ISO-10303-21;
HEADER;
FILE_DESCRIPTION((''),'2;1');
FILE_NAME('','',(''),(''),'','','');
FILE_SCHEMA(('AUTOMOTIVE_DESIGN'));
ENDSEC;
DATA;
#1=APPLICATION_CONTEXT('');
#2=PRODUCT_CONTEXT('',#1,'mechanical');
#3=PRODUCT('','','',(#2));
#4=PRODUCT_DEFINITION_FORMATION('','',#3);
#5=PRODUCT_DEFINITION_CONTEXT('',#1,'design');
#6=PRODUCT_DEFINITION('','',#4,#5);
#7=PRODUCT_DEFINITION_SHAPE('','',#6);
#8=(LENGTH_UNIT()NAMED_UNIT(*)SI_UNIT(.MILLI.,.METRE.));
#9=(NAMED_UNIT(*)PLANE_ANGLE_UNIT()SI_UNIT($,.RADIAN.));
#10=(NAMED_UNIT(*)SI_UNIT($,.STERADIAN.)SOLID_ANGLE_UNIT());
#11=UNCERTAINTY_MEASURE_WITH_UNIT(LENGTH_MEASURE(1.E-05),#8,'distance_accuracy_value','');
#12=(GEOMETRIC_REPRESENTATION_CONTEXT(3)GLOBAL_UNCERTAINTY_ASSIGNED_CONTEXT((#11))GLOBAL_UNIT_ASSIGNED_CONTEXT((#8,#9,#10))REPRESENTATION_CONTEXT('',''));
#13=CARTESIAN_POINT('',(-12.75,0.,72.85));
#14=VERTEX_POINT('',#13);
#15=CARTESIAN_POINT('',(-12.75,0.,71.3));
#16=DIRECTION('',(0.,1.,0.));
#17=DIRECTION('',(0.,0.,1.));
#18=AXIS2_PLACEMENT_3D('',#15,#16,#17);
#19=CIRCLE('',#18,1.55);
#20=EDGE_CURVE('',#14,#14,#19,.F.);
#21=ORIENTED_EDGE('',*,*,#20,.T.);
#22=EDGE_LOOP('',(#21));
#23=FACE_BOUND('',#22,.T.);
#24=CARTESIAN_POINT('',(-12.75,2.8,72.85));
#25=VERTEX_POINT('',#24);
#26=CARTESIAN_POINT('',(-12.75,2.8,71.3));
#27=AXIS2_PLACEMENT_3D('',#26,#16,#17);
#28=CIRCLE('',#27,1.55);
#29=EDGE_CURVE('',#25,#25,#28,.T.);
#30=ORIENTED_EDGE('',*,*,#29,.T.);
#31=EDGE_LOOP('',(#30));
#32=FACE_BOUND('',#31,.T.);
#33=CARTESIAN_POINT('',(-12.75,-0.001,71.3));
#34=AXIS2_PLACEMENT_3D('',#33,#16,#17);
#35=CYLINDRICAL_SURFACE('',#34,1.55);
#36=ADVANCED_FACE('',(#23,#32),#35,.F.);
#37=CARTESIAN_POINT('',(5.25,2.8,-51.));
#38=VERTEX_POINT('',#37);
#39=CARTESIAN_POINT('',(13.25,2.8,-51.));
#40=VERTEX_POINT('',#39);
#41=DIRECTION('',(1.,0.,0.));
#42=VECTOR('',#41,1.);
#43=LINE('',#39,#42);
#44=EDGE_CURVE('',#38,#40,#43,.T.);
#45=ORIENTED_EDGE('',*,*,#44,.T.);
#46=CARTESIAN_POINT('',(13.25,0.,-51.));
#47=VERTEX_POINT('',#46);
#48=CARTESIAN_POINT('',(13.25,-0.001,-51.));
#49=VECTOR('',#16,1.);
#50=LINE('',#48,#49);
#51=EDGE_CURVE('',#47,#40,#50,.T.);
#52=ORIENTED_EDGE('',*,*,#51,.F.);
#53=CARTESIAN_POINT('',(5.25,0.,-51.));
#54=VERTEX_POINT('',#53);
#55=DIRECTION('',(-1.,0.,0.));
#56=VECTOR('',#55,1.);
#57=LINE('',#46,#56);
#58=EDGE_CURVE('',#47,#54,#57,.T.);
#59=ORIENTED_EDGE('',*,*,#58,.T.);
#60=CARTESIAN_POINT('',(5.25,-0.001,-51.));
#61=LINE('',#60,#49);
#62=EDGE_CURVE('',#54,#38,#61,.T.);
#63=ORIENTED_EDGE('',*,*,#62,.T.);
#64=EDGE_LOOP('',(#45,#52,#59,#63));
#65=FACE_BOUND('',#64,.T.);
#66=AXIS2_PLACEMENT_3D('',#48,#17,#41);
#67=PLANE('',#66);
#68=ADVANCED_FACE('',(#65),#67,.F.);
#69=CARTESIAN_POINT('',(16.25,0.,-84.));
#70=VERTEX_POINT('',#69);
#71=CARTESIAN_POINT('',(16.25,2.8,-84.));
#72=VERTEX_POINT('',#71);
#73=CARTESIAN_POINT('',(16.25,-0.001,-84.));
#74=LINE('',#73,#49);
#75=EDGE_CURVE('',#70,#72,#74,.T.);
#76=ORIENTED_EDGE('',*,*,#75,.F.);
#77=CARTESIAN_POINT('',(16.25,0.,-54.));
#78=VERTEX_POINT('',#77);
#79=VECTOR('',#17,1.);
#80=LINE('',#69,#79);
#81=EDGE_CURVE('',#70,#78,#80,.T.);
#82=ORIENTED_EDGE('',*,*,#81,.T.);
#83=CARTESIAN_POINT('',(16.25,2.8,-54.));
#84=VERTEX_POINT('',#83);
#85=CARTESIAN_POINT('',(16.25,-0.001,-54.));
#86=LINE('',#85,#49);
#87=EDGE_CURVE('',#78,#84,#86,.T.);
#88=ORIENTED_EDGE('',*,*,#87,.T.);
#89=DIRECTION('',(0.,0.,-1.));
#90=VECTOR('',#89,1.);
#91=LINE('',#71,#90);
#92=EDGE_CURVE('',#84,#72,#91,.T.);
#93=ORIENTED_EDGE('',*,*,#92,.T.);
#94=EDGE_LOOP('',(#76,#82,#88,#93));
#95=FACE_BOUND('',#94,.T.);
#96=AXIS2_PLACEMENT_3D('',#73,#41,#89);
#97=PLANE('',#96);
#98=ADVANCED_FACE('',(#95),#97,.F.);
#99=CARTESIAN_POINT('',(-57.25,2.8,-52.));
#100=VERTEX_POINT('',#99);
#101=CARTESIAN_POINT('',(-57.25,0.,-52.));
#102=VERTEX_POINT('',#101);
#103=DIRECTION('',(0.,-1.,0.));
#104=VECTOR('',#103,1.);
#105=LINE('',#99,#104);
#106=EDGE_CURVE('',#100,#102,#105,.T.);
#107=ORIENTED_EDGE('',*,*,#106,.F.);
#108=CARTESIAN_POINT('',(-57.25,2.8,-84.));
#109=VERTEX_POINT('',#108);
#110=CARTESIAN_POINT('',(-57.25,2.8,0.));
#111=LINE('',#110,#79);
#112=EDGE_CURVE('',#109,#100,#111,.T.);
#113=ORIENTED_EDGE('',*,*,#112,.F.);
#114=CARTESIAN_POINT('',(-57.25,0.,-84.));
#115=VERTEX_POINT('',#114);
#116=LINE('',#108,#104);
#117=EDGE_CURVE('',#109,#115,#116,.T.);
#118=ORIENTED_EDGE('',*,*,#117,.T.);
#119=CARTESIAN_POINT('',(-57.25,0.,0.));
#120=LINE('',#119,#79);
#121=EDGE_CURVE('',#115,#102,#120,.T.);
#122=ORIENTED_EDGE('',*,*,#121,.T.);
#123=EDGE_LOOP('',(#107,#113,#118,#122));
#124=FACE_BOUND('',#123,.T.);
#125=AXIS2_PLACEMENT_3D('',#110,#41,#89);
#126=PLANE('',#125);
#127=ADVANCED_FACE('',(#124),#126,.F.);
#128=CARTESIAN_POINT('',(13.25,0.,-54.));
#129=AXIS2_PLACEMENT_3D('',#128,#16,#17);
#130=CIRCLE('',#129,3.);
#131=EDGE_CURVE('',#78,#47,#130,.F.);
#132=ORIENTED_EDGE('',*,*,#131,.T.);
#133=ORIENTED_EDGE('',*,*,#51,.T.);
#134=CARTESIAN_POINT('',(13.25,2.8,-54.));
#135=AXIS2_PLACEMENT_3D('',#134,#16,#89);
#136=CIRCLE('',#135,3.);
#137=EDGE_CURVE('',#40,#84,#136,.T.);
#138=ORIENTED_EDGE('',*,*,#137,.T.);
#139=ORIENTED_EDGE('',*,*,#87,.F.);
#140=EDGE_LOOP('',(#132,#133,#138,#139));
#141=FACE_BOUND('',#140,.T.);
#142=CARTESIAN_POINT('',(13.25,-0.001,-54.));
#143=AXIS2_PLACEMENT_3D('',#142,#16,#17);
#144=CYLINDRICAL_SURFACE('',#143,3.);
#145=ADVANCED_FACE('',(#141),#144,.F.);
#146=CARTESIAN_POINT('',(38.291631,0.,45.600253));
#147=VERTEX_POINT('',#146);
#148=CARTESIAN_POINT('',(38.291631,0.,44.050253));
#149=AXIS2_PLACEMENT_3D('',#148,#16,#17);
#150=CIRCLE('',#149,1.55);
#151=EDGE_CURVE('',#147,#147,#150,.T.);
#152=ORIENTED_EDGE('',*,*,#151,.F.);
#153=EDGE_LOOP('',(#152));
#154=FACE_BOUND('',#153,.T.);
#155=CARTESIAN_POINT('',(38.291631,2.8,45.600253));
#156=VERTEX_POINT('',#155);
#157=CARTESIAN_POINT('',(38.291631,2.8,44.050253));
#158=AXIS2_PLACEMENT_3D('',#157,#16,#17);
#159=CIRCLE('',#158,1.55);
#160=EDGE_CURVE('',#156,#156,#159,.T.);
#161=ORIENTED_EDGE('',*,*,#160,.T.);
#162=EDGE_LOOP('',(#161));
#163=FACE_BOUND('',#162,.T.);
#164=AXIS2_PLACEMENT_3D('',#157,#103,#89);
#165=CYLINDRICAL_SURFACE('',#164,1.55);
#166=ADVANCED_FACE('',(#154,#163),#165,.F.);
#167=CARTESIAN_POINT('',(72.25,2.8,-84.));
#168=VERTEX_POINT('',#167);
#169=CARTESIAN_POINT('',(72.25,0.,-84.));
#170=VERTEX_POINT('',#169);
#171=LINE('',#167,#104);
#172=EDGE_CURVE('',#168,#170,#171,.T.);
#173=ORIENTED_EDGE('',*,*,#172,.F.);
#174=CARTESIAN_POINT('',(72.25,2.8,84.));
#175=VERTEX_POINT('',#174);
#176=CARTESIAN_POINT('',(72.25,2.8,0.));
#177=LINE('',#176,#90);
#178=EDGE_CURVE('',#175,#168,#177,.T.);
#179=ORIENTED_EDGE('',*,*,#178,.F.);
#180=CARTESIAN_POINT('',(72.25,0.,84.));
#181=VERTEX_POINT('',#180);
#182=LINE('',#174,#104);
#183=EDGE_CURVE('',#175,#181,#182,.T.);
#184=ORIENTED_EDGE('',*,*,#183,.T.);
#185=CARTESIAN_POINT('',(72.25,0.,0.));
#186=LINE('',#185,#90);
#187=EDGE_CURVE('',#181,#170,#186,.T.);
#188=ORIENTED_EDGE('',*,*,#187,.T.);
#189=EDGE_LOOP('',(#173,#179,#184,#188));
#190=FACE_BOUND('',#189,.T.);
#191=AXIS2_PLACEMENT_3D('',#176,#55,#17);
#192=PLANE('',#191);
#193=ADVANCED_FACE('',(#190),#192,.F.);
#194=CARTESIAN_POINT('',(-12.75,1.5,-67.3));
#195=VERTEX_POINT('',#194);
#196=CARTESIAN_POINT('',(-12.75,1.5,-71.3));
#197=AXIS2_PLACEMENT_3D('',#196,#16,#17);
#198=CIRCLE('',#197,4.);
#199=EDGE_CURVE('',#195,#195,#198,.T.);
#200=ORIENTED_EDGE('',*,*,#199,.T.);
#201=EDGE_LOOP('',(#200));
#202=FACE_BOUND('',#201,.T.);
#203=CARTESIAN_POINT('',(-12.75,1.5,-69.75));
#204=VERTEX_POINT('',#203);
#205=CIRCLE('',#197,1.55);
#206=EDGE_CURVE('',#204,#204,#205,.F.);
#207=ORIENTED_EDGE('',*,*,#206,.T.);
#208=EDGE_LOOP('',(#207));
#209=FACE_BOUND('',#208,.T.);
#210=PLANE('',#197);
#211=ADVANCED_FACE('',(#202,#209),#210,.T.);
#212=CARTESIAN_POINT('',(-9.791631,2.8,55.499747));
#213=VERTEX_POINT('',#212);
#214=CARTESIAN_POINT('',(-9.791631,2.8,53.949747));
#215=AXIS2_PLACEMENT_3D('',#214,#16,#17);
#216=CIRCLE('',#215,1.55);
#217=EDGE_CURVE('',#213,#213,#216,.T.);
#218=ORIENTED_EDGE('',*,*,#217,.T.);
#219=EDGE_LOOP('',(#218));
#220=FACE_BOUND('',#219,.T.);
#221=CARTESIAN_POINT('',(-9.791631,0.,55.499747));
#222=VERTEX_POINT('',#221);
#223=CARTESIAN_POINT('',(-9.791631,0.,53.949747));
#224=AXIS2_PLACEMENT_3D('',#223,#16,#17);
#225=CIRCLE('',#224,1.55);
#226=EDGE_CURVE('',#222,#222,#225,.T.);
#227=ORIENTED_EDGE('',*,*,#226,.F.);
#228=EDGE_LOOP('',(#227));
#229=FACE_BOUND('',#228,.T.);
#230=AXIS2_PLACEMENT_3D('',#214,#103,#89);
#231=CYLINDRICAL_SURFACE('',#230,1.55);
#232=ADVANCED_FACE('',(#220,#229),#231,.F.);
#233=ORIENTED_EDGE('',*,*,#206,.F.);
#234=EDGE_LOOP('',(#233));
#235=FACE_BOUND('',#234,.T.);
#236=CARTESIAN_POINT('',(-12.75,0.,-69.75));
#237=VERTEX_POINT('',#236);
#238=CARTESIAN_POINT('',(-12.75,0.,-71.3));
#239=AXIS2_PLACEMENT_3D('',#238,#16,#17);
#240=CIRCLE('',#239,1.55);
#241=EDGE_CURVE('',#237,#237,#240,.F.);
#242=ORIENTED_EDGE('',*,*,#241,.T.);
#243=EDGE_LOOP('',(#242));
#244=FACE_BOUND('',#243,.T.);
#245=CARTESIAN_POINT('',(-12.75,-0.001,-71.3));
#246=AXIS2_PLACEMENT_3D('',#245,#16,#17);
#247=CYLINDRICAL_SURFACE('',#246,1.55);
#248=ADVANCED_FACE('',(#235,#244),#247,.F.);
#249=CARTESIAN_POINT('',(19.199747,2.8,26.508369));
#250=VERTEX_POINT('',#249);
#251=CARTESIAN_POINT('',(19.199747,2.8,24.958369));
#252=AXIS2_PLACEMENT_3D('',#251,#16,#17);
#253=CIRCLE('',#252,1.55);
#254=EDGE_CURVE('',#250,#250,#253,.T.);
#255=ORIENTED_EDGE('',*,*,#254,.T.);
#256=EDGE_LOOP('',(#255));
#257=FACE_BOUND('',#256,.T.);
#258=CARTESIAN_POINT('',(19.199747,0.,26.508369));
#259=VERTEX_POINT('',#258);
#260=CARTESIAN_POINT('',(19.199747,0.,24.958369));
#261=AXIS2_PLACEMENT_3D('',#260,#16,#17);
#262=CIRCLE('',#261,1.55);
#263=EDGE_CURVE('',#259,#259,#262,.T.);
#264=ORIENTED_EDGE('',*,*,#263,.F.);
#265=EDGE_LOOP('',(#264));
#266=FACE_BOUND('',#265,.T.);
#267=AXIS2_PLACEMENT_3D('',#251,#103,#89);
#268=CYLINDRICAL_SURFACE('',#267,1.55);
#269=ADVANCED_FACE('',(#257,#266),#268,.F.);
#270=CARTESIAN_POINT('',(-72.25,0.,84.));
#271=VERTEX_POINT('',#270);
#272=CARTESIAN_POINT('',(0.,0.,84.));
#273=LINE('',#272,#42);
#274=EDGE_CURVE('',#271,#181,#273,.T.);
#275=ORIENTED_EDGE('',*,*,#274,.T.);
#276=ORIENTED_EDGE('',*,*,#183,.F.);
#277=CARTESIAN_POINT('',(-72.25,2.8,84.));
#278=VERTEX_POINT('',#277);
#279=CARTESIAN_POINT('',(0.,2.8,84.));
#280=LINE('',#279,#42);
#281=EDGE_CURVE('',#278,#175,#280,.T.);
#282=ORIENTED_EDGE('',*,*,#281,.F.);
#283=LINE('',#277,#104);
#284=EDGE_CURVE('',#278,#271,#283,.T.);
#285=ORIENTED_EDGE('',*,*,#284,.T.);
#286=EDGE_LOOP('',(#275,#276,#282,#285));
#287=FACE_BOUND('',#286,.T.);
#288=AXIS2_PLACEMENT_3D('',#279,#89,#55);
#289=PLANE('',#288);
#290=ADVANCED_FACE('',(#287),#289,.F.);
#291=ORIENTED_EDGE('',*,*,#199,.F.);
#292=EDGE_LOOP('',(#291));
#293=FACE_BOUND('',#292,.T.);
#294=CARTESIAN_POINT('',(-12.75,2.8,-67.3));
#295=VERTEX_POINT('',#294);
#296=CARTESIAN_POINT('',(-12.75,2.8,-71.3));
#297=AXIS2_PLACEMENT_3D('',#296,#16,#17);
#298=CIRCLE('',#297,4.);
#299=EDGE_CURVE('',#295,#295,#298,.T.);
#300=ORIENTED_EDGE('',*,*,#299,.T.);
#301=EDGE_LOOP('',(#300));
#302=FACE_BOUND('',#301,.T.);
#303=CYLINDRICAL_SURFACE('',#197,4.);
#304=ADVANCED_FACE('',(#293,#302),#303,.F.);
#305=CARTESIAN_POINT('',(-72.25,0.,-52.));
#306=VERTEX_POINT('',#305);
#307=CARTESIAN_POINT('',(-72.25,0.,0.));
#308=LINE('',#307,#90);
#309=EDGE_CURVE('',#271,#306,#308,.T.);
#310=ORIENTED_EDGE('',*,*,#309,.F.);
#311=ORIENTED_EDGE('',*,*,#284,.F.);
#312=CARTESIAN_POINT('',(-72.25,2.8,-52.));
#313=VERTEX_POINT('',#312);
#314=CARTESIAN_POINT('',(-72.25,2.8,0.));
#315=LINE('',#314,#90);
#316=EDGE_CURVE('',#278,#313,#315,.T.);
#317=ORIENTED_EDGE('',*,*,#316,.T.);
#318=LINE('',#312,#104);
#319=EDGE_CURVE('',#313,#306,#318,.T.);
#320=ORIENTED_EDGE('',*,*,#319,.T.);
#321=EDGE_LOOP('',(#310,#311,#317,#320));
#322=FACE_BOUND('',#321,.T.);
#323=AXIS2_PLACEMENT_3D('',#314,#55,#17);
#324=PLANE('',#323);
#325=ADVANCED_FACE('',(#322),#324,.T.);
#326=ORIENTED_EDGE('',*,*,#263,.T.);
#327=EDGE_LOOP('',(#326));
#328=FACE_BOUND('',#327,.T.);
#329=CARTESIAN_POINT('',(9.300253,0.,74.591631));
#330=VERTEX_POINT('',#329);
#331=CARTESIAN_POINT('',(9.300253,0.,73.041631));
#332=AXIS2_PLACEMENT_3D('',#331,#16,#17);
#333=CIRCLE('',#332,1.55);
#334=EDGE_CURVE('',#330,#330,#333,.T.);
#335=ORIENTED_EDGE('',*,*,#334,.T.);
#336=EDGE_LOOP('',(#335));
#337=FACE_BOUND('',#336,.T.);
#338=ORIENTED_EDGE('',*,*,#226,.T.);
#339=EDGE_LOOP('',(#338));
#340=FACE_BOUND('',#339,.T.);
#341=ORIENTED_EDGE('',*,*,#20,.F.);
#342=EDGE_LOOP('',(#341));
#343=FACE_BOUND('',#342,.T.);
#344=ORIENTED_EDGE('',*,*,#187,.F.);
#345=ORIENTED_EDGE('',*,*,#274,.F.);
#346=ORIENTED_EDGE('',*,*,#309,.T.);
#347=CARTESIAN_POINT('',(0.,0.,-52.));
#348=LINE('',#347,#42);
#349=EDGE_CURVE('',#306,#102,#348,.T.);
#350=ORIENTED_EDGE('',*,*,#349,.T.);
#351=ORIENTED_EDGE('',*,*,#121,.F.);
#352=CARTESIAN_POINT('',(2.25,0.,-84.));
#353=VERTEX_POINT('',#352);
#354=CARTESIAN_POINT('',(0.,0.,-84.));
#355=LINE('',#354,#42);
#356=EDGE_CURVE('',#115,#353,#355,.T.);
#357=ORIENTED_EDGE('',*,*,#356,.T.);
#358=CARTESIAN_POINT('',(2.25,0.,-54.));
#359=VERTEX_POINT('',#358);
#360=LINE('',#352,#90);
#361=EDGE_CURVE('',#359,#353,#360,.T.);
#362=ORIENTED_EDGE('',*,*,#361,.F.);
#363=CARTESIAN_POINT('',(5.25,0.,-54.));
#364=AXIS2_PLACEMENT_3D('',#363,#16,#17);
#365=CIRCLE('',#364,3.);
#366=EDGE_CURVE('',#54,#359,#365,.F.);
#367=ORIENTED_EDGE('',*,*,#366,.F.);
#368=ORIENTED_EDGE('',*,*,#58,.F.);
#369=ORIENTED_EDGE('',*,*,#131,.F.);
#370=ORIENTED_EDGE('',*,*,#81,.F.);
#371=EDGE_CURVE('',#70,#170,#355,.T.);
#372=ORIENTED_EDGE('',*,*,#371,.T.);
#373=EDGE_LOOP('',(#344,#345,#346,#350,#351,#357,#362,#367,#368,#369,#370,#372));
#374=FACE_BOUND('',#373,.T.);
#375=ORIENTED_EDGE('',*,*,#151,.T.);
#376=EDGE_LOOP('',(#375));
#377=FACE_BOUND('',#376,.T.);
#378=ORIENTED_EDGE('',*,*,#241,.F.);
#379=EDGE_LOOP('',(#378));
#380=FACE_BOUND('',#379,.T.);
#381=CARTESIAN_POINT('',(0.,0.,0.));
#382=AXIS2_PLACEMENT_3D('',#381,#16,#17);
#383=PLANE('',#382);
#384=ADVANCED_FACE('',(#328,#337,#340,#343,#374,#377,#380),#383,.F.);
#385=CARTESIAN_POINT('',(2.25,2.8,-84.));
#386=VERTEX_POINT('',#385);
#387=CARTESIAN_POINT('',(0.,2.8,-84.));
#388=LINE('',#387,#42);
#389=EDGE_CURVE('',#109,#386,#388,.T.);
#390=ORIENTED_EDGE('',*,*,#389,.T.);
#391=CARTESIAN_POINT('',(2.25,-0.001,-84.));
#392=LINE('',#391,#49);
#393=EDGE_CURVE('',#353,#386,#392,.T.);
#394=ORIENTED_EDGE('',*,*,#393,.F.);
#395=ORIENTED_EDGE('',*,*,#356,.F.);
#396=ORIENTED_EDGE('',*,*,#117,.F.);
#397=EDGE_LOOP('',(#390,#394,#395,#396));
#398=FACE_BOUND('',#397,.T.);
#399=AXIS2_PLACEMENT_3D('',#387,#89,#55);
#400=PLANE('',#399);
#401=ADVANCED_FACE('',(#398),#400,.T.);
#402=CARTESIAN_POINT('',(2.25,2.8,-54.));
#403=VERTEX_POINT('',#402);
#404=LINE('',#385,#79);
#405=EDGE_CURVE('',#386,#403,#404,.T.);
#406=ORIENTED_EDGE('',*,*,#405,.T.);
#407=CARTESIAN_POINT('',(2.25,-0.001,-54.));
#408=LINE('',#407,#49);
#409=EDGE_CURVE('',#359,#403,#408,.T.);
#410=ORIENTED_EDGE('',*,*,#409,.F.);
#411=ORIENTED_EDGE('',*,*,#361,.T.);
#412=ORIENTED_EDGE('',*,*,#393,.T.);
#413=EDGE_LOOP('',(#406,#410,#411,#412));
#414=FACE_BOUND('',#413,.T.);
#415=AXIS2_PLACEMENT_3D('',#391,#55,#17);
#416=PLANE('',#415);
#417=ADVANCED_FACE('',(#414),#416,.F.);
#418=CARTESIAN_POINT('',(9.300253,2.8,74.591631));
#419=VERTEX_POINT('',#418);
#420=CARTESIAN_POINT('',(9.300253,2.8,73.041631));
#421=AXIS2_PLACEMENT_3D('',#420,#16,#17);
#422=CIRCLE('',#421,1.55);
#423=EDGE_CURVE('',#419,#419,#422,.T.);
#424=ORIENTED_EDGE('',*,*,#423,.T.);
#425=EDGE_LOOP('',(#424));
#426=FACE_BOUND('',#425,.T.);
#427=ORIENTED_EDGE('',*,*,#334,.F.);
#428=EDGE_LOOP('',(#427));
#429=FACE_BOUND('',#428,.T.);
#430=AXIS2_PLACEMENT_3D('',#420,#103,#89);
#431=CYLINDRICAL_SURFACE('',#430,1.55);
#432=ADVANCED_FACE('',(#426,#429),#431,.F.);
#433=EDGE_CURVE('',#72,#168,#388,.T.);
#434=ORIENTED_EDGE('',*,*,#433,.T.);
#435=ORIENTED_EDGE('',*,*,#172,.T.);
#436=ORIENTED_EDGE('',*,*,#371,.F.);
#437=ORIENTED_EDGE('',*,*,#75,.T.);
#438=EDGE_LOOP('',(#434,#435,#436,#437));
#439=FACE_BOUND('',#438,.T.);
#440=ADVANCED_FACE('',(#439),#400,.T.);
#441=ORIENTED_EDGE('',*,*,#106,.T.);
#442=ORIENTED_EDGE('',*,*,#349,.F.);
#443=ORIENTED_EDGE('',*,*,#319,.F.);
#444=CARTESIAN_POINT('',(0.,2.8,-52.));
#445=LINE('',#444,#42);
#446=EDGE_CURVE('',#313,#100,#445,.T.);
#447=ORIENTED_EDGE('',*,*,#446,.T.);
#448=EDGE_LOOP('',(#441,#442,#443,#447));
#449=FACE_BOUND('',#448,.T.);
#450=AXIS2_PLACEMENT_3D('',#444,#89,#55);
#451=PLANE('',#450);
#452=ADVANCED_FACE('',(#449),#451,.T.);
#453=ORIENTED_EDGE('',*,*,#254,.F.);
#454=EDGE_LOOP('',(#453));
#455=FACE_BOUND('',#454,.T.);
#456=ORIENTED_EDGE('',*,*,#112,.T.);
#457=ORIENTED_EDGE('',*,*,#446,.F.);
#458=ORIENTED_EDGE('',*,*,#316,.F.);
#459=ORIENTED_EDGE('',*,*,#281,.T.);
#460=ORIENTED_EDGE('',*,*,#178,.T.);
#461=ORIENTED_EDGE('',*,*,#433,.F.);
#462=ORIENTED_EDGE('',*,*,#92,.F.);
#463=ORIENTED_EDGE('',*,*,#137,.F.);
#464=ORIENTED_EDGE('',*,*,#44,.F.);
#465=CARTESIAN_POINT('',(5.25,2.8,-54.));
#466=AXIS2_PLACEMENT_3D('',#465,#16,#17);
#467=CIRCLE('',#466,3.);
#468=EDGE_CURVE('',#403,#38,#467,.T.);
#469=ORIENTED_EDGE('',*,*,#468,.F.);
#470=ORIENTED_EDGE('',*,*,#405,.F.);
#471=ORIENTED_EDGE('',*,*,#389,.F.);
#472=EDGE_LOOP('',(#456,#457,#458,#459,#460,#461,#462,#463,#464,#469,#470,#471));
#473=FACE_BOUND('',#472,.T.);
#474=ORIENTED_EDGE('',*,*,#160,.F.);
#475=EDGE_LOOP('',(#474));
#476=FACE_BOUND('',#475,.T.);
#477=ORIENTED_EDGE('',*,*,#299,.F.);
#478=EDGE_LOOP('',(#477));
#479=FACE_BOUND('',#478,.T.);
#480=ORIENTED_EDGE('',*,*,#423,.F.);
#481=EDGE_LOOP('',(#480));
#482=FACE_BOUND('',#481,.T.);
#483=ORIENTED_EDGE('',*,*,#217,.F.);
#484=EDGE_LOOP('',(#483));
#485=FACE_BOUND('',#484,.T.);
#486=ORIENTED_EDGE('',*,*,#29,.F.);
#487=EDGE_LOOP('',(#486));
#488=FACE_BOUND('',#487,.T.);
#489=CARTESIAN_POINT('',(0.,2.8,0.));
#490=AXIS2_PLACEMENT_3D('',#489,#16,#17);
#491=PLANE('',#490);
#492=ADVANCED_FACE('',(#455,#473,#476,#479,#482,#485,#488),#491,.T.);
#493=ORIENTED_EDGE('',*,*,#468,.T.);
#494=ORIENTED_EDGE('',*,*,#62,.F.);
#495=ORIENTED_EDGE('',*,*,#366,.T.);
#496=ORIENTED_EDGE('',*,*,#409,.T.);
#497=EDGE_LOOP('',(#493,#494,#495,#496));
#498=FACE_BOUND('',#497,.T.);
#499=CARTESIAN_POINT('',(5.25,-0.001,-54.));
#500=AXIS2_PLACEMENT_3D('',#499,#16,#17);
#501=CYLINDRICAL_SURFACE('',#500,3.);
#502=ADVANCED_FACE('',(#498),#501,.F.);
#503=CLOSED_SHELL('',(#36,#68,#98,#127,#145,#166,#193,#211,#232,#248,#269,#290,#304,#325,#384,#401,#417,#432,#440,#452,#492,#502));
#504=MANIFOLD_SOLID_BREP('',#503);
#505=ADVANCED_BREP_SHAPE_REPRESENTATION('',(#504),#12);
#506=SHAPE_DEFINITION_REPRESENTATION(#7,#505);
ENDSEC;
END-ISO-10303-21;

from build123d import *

# Parameters (mm, degrees)
SKETCH1_R           = 1.55
BOSS_EXTRUDE1_DEPTH = 2.8
CUT_EXTRUDE1_REACH  = 4.8
SKETCH2_R           = 1.55
SKETCH3_R           = 4
CUT_EXTRUDE2_DEPTH  = 1.3
CUT_EXTRUDE3_REACH  = 4.8


with BuildPart() as part:
    # Sketch1 → Boss-Extrude1 (new body)
    with BuildSketch(Plane(origin=(0, 0, 0), x_dir=(1, 0, 0), z_dir=(0, 1, 0))):
        Polygon((-72.25, 52), (-72.25, -84), (72.25, -84), (72.25, 84), (-57.25, 84), (-57.25, 52), align=None)
        with Locations((-9.79163056, -53.949747468)):
            Circle(SKETCH1_R, mode=Mode.SUBTRACT)
        with Locations((9.300252532, -73.04163056)):
            Circle(SKETCH1_R, mode=Mode.SUBTRACT)
        with Locations((38.29163056, -44.050252532)):
            Circle(SKETCH1_R, mode=Mode.SUBTRACT)
        with Locations((19.199747468, -24.95836944)):
            Circle(SKETCH1_R, mode=Mode.SUBTRACT)
    extrude(amount=BOSS_EXTRUDE1_DEPTH)

    # Sketch2 → Cut-Extrude1 (cut, up to next)
    with BuildSketch(Plane(origin=(0, 2.8, 0), x_dir=(1, 0, 0), z_dir=(0, 1, 0)), mode=Mode.PRIVATE) as cut_extrude1_sk1:
        with Locations((-12.75, 71.3)):
            Circle(SKETCH2_R)
    cut_extrude1_tool1 = extrude(cut_extrude1_sk1.sketch, amount=-CUT_EXTRUDE1_REACH, mode=Mode.PRIVATE) & part.part
    add(cut_extrude1_tool1.solids().sort_by_distance((-12.75, 2.8, -71.3))[0], mode=Mode.SUBTRACT)
    # Sketch2 → Cut-Extrude1 (cut, up to next)
    with BuildSketch(Plane(origin=(0, 2.8, 0), x_dir=(1, 0, 0), z_dir=(0, 1, 0)), mode=Mode.PRIVATE) as cut_extrude1_sk2:
        with Locations((-12.75, -71.3)):
            Circle(SKETCH2_R)
    cut_extrude1_tool2 = extrude(cut_extrude1_sk2.sketch, amount=-CUT_EXTRUDE1_REACH, mode=Mode.PRIVATE) & part.part
    add(cut_extrude1_tool2.solids().sort_by_distance((-12.75, 2.8, 71.3))[0], mode=Mode.SUBTRACT)

    # Sketch3 → Cut-Extrude2 (cut)
    with BuildSketch(Plane(origin=(0, 2.8, 0), x_dir=(1, 0, 0), z_dir=(0, 1, 0))):
        with Locations((-12.75, 71.3)):
            Circle(SKETCH3_R)
    extrude(amount=-CUT_EXTRUDE2_DEPTH, mode=Mode.SUBTRACT)

    # Sketch4 → Cut-Extrude3 (cut, up to next)
    with BuildSketch(Plane(origin=(0, 2.8, 0), x_dir=(1, 0, 0), z_dir=(0, 1, 0)), mode=Mode.PRIVATE) as cut_extrude3_sk1:
        with BuildLine():
            Line((16.25, 84), (2.25, 84))
            Line((2.25, 84), (2.25, 54))
            ThreePointArc((2.25, 54), (3.128679656, 51.878679656), (5.25, 51))
            Line((5.25, 51), (13.25, 51))
            ThreePointArc((13.25, 51), (15.371320344, 51.878679656), (16.25, 54))
            Line((16.25, 54), (16.25, 84))
        make_face()
    cut_extrude3_tool1 = extrude(cut_extrude3_sk1.sketch, amount=-CUT_EXTRUDE3_REACH, mode=Mode.PRIVATE) & part.part
    add(cut_extrude3_tool1.solids().sort_by_distance((9.25, 2.8, -67.633471))[0], mode=Mode.SUBTRACT)


solid = part.part
